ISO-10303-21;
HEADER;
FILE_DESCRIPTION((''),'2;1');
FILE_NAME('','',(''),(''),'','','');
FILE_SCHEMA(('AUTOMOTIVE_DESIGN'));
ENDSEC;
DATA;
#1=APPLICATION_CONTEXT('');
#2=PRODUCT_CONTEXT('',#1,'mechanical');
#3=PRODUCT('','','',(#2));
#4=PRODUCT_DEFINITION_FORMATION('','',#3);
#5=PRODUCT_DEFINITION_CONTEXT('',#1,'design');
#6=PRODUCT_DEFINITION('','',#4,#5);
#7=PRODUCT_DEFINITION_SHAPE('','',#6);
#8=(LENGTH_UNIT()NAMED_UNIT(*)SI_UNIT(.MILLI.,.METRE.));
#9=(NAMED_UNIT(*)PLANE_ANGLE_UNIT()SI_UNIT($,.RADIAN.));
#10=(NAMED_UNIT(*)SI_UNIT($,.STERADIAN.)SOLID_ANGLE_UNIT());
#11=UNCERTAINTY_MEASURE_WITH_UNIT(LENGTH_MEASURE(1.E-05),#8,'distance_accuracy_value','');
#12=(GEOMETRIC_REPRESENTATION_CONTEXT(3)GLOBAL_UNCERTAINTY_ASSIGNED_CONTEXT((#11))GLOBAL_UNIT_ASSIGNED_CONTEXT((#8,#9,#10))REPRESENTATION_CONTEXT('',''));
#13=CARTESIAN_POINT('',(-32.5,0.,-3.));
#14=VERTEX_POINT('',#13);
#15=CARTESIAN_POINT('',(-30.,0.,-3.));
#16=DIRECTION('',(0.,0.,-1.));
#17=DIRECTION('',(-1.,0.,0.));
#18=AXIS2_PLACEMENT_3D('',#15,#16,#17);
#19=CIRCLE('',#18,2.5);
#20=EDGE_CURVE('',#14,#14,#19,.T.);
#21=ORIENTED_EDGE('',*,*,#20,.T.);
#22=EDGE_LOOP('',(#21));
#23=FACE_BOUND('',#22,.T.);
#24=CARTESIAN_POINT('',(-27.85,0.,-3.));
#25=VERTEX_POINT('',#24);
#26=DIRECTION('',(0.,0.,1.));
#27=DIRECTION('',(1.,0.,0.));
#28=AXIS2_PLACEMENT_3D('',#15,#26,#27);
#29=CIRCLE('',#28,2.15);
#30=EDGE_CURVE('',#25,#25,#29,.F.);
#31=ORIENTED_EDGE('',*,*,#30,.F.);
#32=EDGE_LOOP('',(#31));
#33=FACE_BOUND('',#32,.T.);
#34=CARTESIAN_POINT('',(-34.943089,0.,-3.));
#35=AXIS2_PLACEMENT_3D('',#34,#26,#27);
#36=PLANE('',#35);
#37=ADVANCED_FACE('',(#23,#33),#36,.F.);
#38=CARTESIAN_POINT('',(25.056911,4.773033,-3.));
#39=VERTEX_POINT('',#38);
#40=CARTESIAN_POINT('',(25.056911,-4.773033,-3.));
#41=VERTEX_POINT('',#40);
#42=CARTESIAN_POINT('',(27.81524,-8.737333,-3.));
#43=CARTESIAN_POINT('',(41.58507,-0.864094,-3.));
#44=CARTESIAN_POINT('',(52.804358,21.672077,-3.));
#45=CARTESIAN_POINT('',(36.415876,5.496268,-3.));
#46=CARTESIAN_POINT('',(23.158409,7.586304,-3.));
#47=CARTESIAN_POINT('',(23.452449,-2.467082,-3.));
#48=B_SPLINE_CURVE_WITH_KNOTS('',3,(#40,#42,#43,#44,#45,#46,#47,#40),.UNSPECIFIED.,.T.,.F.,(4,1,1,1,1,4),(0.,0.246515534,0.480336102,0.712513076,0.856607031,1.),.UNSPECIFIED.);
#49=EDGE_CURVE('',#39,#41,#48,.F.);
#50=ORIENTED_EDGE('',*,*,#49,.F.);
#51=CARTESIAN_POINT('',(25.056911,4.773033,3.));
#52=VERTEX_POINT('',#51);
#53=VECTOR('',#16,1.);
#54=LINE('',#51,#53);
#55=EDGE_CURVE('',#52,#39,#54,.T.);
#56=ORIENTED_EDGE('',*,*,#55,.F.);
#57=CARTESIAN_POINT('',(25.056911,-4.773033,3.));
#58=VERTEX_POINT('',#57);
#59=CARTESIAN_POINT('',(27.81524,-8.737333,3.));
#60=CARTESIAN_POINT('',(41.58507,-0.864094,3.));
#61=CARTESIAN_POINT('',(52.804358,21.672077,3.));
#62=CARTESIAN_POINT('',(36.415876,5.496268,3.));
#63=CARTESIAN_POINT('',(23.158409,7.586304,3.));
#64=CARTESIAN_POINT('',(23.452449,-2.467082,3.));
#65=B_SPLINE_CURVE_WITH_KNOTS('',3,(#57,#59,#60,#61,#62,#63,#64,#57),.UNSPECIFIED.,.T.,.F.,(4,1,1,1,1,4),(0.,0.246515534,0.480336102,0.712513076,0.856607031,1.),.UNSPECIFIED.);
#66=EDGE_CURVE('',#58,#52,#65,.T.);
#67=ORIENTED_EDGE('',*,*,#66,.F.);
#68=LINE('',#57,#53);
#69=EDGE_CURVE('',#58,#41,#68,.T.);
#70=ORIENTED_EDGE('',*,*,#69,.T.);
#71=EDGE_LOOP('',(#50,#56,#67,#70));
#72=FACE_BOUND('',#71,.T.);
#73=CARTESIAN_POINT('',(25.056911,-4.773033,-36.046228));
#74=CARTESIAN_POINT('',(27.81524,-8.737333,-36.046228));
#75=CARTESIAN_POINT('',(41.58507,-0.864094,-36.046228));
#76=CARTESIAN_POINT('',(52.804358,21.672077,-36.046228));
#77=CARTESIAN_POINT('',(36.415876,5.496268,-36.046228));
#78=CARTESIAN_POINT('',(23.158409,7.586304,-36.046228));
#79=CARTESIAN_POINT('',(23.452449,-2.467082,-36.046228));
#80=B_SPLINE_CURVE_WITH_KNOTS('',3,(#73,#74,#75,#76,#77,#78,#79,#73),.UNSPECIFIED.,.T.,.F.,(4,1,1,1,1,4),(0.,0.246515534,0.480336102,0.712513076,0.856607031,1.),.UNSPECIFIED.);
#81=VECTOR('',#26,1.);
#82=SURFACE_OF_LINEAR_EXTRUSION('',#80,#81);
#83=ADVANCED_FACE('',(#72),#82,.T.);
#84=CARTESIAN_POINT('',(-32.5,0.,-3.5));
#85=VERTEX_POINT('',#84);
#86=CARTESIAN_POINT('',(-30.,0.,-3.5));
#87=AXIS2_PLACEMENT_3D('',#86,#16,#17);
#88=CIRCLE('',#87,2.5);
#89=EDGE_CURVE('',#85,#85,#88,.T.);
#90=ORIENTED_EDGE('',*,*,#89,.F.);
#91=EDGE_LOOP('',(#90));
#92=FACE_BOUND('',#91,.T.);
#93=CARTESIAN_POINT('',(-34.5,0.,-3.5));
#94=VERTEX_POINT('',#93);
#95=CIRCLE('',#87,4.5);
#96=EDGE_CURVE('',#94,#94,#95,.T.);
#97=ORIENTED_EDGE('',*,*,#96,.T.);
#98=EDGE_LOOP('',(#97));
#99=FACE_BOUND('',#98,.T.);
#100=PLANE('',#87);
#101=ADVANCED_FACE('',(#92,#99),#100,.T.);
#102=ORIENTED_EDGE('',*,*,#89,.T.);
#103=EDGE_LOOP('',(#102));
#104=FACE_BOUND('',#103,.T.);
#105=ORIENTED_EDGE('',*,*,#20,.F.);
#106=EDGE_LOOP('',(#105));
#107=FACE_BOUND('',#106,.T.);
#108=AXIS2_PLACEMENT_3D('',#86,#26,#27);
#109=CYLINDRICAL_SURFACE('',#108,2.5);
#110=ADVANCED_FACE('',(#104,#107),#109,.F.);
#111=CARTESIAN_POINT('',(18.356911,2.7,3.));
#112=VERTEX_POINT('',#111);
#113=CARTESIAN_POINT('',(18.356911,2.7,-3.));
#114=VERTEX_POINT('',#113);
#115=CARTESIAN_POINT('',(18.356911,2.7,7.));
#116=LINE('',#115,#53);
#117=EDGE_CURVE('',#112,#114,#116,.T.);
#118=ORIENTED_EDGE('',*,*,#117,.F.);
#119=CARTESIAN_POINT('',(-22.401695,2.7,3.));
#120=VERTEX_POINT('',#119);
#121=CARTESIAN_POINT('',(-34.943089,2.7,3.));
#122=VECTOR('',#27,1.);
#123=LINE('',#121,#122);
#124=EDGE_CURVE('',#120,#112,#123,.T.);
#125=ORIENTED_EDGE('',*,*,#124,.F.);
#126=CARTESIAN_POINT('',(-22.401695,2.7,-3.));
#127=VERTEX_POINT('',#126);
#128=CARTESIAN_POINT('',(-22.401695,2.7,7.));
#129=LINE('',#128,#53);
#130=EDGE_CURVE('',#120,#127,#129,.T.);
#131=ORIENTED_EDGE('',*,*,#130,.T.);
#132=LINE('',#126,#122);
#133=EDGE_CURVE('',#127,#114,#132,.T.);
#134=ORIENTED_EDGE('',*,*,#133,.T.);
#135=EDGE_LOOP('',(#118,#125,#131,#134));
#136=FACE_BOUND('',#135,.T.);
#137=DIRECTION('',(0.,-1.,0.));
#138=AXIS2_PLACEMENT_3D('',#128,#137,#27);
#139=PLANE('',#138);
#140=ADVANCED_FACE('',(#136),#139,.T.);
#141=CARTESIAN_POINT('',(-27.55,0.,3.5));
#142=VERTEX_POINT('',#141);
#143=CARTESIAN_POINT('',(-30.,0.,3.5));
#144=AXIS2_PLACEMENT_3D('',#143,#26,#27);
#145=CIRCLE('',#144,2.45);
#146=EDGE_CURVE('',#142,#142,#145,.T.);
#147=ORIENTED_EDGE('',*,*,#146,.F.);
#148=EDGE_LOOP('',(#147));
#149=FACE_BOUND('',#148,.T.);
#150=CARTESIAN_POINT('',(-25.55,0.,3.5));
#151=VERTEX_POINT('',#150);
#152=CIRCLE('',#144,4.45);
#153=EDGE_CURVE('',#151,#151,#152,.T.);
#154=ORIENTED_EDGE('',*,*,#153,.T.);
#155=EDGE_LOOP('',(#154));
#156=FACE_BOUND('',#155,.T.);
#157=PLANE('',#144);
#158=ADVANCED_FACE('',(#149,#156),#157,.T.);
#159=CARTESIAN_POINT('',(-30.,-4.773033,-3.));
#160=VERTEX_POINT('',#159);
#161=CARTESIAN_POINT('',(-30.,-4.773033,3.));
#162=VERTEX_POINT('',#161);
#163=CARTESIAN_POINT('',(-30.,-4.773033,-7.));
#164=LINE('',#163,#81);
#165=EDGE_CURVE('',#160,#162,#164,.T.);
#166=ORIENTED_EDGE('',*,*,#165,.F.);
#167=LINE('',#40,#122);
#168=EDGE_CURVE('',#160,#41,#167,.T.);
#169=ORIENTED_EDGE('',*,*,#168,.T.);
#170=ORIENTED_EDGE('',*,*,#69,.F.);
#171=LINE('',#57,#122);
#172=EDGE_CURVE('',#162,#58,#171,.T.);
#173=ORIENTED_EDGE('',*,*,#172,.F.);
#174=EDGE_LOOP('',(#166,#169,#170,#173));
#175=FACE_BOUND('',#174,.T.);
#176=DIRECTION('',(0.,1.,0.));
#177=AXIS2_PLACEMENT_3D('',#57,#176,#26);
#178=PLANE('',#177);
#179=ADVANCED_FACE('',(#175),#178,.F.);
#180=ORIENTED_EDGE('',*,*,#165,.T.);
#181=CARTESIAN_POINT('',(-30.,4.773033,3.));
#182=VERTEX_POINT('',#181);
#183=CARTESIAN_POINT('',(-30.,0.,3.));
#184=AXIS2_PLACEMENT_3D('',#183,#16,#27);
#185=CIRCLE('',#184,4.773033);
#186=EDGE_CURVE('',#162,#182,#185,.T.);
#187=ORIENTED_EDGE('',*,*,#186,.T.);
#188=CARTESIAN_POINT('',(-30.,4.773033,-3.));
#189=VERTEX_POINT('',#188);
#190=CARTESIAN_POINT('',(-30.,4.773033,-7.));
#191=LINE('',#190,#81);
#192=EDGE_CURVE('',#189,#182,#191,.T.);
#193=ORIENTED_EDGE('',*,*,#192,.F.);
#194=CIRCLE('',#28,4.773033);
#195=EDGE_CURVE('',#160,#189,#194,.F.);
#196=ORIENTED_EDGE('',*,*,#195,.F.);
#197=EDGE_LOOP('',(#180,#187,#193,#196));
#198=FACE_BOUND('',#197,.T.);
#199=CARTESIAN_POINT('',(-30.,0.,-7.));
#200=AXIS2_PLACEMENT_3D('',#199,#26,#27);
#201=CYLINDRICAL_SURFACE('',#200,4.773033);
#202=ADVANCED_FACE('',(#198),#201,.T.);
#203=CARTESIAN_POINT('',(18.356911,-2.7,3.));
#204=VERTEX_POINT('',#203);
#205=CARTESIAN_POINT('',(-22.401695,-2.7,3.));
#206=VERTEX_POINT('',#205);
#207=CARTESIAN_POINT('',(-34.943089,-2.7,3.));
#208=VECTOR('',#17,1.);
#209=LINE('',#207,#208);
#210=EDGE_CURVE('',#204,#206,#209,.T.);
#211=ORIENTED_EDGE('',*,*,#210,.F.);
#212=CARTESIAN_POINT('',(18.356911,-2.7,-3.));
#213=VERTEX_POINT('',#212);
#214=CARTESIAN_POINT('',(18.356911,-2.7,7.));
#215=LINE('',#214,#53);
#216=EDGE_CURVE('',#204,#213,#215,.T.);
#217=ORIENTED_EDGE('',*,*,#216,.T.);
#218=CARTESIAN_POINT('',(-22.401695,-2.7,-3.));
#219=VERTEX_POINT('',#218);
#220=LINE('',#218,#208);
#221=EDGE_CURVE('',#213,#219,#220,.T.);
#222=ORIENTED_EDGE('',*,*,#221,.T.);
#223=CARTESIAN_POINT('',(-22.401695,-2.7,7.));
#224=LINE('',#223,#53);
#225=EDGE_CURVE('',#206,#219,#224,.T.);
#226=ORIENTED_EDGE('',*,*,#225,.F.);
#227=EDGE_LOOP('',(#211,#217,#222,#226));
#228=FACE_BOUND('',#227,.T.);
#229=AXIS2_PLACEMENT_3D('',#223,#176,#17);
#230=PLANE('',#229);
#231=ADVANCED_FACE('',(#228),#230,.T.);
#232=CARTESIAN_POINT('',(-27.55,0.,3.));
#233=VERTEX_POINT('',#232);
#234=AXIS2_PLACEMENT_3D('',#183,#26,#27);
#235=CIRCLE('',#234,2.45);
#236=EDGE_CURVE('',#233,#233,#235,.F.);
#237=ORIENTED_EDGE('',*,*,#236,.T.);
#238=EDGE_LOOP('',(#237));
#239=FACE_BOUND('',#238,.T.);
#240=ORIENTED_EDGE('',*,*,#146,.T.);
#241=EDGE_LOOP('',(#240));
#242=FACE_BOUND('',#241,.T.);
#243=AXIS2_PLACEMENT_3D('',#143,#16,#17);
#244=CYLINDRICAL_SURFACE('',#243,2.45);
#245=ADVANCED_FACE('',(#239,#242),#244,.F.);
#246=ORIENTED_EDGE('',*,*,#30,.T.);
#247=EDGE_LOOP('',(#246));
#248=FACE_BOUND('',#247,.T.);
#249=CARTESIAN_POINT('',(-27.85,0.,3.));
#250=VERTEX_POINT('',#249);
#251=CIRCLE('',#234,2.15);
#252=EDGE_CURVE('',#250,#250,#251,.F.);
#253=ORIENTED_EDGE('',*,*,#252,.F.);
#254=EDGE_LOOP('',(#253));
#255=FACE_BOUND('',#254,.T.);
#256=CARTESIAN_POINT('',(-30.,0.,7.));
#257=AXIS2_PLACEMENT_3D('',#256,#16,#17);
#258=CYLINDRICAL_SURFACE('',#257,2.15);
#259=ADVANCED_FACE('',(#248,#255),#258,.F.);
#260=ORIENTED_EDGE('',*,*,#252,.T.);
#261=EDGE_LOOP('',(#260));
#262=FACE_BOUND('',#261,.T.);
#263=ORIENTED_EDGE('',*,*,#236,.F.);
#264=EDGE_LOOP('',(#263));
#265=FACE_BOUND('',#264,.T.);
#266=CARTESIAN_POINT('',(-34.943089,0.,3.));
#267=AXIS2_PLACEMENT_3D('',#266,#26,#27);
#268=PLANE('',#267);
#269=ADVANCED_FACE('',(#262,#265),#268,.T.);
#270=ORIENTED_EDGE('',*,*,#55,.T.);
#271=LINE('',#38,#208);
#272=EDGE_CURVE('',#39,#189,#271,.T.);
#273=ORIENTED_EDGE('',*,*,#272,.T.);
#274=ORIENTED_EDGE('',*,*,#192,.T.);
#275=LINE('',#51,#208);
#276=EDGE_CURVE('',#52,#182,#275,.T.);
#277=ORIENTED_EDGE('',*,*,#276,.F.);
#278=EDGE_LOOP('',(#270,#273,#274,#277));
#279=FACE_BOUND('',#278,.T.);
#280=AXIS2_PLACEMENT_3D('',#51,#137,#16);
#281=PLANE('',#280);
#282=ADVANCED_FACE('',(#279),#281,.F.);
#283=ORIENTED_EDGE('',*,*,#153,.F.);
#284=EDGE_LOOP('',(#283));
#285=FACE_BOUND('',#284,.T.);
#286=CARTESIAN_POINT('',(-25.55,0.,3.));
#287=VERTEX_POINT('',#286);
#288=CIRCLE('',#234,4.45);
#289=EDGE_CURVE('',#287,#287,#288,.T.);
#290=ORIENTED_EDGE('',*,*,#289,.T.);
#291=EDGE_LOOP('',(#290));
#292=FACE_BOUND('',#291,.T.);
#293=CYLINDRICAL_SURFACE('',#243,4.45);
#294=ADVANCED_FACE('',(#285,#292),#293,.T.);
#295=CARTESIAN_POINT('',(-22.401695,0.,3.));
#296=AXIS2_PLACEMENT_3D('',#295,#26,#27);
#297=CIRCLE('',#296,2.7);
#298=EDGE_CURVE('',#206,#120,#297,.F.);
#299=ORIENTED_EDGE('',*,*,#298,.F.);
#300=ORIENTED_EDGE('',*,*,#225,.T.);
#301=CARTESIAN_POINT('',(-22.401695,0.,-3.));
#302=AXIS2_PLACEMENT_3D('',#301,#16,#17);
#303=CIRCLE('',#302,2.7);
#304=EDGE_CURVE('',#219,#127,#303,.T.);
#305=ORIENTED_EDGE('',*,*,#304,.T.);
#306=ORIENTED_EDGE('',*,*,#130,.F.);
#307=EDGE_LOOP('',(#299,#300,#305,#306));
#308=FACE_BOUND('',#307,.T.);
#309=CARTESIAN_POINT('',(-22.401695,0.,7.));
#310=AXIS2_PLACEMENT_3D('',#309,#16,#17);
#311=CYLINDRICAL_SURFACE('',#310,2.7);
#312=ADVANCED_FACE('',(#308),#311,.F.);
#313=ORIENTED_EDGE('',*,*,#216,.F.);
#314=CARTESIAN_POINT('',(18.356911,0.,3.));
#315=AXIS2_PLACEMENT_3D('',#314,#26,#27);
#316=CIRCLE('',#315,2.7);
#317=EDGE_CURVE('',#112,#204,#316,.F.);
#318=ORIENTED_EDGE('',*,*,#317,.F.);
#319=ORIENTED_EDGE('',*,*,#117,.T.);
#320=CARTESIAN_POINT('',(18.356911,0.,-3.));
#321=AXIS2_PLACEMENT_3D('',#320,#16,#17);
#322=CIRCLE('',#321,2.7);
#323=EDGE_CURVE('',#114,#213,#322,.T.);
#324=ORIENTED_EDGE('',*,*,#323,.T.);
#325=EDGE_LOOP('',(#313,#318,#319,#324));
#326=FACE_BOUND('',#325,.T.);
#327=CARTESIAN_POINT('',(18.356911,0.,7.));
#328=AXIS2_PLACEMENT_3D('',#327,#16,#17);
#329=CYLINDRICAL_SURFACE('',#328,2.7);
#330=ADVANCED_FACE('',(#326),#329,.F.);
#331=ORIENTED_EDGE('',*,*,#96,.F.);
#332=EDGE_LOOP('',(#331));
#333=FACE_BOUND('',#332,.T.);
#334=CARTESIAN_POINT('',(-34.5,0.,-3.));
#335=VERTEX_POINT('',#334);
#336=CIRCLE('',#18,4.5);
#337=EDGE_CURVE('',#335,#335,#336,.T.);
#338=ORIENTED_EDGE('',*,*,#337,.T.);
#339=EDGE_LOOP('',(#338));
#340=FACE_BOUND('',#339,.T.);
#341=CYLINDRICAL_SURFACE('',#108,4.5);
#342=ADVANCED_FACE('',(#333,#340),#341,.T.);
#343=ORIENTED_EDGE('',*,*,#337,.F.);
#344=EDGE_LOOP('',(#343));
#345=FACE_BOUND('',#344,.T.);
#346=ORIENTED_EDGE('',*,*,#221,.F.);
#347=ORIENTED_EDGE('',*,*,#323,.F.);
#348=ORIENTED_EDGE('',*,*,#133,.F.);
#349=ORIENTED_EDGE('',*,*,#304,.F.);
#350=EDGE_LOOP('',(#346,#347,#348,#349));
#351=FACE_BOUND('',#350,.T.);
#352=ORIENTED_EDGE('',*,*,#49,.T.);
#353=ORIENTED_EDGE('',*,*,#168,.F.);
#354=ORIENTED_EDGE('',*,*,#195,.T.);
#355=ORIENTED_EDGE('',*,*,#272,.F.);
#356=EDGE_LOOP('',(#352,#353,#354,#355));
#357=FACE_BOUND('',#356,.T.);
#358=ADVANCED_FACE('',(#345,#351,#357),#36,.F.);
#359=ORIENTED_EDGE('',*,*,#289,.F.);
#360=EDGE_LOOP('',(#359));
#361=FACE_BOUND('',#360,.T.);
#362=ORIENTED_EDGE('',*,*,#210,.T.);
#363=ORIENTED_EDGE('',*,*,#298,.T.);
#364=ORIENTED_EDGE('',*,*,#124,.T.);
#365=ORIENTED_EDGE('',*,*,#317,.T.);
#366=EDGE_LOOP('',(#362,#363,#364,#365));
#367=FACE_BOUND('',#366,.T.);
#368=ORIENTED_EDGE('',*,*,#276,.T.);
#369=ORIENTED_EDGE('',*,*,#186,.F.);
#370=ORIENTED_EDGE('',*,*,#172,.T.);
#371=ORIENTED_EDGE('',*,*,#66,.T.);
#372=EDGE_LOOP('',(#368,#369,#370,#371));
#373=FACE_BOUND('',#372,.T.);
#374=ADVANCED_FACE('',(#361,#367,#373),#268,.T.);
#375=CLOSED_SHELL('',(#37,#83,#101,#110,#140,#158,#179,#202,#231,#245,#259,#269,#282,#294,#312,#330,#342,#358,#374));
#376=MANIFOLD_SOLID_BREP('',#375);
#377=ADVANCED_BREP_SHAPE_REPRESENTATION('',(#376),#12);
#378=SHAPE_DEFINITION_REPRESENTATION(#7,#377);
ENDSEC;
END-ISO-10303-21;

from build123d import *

# Parameters (mm, degrees)
EXTRUDE_1_DEPTH          = 3
SKETCH_2_R               = 2.15
CUT_EXTRUDE_2_DEPTH      = 10
CUT_EXTRUDE_2_DEPTH_BACK = 1
SKETCH_6_R               = 4.45
SKETCH_6_R_2             = 2.45
EXTRUDE_1_2_DEPTH        = 0.5
SKETCH_7_R               = 4.5
SKETCH_7_R_2             = 2.5
EXTRUDE_2_DEPTH          = 0.5
CUT_EXTRUDE_3_DEPTH      = 10
EXTRUDE_2_2_DEPTH        = 6


with BuildPart() as part:
    # 草图1 → Extrude 1 (new body, symmetric)
    with BuildSketch(Plane.XY):
        with BuildLine():
            Line((25.056911311, -4.773033008), (-34.943088689, -4.773033008))
            ThreePointArc((-34.943088689, -4.773033008), (-39.716121697, 0), (-34.943088689, 4.773033008))
            Line((-34.943088689, 4.773033008), (25.056911311, 4.773033008))
            Line((25.056911311, 4.773033008), (25.056911311, -4.773033008))
        make_face()
    extrude(amount=EXTRUDE_1_DEPTH, both=True)

    # 草图2 → 切除-拉伸2 (cut, two sides)
    with BuildSketch(Plane(origin=(0, -0.226966992, -3), x_dir=(1, 0, 0), z_dir=(0, 0, 1))) as cut_extrude_2_sk:
        with Locations((-30, 0.226966992)):
            Circle(SKETCH_2_R)
        with BuildLine():
            Line((-22.401694851, 2.926966992), (18.356911311, 2.926966992))
            ThreePointArc((18.356911311, 2.926966992), (21.056911311, 0.226966992), (18.356911311, -2.473033008))
            Line((18.356911311, -2.473033008), (-22.401694851, -2.473033008))
            ThreePointArc((-22.401694851, -2.473033008), (-25.101694851, 0.226966992), (-22.401694851, 2.926966992))
        make_face()
    extrude(amount=CUT_EXTRUDE_2_DEPTH, mode=Mode.SUBTRACT)
    extrude(cut_extrude_2_sk.sketch, amount=-CUT_EXTRUDE_2_DEPTH_BACK, mode=Mode.SUBTRACT)

    # 草图6 → Extrude 1 2 (add)
    with BuildSketch(Plane.XY.offset(3)):
        with Locations((-30, 0)):
            Circle(SKETCH_6_R)
        with Locations((-30, 0)):
            Circle(SKETCH_6_R_2, mode=Mode.SUBTRACT)
    extrude(amount=EXTRUDE_1_2_DEPTH)

    # 草图7 → Extrude 2 (add)
    with BuildSketch(Plane(origin=(0, 0, -3), x_dir=(-1, 0, 0), z_dir=(0, 0, -1))):
        with Locations((30, 0)):
            Circle(SKETCH_7_R)
        with Locations((30, 0)):
            Circle(SKETCH_7_R_2, mode=Mode.SUBTRACT)
    extrude(amount=EXTRUDE_2_DEPTH)

    # 草图9 → 切除-拉伸3 (cut)
    with BuildSketch(Plane.XY.offset(3)):
        with BuildLine():
            Line((-30, 4.773033008), (-45.254919606, 4.773033008))
            Line((-45.254919606, 4.773033008), (-45.254919606, -4.773033008))
            Line((-45.254919606, -4.773033008), (-30, -4.773033008))
            ThreePointArc((-30, -4.773033008), (-34.773033008, 0), (-30, 4.773033008))
        make_face()
    extrude(amount=-CUT_EXTRUDE_3_DEPTH, mode=Mode.SUBTRACT)

    # 草图11 → Extrude 2 2 (add)
    with BuildSketch(Plane.XY.offset(3)):
        with BuildLine():
            add(Edge.make_bspline(
                [(25.056911311, -4.773033008), (27.815239946, -8.737333347), (41.585070211, -0.864093582), (52.804357996, 21.672077098), (36.415875516, 5.496268281), (23.158409155, 7.58630405), (23.452448802, -2.467081791), (25.056911311, -4.773033008)],
                knots=[0, 0, 0, 0, 0.246515534, 0.480336102, 0.712513076, 0.856607031, 1, 1, 1, 1], degree=3))
        make_face()
    extrude(amount=-EXTRUDE_2_2_DEPTH)


solid = part.part
